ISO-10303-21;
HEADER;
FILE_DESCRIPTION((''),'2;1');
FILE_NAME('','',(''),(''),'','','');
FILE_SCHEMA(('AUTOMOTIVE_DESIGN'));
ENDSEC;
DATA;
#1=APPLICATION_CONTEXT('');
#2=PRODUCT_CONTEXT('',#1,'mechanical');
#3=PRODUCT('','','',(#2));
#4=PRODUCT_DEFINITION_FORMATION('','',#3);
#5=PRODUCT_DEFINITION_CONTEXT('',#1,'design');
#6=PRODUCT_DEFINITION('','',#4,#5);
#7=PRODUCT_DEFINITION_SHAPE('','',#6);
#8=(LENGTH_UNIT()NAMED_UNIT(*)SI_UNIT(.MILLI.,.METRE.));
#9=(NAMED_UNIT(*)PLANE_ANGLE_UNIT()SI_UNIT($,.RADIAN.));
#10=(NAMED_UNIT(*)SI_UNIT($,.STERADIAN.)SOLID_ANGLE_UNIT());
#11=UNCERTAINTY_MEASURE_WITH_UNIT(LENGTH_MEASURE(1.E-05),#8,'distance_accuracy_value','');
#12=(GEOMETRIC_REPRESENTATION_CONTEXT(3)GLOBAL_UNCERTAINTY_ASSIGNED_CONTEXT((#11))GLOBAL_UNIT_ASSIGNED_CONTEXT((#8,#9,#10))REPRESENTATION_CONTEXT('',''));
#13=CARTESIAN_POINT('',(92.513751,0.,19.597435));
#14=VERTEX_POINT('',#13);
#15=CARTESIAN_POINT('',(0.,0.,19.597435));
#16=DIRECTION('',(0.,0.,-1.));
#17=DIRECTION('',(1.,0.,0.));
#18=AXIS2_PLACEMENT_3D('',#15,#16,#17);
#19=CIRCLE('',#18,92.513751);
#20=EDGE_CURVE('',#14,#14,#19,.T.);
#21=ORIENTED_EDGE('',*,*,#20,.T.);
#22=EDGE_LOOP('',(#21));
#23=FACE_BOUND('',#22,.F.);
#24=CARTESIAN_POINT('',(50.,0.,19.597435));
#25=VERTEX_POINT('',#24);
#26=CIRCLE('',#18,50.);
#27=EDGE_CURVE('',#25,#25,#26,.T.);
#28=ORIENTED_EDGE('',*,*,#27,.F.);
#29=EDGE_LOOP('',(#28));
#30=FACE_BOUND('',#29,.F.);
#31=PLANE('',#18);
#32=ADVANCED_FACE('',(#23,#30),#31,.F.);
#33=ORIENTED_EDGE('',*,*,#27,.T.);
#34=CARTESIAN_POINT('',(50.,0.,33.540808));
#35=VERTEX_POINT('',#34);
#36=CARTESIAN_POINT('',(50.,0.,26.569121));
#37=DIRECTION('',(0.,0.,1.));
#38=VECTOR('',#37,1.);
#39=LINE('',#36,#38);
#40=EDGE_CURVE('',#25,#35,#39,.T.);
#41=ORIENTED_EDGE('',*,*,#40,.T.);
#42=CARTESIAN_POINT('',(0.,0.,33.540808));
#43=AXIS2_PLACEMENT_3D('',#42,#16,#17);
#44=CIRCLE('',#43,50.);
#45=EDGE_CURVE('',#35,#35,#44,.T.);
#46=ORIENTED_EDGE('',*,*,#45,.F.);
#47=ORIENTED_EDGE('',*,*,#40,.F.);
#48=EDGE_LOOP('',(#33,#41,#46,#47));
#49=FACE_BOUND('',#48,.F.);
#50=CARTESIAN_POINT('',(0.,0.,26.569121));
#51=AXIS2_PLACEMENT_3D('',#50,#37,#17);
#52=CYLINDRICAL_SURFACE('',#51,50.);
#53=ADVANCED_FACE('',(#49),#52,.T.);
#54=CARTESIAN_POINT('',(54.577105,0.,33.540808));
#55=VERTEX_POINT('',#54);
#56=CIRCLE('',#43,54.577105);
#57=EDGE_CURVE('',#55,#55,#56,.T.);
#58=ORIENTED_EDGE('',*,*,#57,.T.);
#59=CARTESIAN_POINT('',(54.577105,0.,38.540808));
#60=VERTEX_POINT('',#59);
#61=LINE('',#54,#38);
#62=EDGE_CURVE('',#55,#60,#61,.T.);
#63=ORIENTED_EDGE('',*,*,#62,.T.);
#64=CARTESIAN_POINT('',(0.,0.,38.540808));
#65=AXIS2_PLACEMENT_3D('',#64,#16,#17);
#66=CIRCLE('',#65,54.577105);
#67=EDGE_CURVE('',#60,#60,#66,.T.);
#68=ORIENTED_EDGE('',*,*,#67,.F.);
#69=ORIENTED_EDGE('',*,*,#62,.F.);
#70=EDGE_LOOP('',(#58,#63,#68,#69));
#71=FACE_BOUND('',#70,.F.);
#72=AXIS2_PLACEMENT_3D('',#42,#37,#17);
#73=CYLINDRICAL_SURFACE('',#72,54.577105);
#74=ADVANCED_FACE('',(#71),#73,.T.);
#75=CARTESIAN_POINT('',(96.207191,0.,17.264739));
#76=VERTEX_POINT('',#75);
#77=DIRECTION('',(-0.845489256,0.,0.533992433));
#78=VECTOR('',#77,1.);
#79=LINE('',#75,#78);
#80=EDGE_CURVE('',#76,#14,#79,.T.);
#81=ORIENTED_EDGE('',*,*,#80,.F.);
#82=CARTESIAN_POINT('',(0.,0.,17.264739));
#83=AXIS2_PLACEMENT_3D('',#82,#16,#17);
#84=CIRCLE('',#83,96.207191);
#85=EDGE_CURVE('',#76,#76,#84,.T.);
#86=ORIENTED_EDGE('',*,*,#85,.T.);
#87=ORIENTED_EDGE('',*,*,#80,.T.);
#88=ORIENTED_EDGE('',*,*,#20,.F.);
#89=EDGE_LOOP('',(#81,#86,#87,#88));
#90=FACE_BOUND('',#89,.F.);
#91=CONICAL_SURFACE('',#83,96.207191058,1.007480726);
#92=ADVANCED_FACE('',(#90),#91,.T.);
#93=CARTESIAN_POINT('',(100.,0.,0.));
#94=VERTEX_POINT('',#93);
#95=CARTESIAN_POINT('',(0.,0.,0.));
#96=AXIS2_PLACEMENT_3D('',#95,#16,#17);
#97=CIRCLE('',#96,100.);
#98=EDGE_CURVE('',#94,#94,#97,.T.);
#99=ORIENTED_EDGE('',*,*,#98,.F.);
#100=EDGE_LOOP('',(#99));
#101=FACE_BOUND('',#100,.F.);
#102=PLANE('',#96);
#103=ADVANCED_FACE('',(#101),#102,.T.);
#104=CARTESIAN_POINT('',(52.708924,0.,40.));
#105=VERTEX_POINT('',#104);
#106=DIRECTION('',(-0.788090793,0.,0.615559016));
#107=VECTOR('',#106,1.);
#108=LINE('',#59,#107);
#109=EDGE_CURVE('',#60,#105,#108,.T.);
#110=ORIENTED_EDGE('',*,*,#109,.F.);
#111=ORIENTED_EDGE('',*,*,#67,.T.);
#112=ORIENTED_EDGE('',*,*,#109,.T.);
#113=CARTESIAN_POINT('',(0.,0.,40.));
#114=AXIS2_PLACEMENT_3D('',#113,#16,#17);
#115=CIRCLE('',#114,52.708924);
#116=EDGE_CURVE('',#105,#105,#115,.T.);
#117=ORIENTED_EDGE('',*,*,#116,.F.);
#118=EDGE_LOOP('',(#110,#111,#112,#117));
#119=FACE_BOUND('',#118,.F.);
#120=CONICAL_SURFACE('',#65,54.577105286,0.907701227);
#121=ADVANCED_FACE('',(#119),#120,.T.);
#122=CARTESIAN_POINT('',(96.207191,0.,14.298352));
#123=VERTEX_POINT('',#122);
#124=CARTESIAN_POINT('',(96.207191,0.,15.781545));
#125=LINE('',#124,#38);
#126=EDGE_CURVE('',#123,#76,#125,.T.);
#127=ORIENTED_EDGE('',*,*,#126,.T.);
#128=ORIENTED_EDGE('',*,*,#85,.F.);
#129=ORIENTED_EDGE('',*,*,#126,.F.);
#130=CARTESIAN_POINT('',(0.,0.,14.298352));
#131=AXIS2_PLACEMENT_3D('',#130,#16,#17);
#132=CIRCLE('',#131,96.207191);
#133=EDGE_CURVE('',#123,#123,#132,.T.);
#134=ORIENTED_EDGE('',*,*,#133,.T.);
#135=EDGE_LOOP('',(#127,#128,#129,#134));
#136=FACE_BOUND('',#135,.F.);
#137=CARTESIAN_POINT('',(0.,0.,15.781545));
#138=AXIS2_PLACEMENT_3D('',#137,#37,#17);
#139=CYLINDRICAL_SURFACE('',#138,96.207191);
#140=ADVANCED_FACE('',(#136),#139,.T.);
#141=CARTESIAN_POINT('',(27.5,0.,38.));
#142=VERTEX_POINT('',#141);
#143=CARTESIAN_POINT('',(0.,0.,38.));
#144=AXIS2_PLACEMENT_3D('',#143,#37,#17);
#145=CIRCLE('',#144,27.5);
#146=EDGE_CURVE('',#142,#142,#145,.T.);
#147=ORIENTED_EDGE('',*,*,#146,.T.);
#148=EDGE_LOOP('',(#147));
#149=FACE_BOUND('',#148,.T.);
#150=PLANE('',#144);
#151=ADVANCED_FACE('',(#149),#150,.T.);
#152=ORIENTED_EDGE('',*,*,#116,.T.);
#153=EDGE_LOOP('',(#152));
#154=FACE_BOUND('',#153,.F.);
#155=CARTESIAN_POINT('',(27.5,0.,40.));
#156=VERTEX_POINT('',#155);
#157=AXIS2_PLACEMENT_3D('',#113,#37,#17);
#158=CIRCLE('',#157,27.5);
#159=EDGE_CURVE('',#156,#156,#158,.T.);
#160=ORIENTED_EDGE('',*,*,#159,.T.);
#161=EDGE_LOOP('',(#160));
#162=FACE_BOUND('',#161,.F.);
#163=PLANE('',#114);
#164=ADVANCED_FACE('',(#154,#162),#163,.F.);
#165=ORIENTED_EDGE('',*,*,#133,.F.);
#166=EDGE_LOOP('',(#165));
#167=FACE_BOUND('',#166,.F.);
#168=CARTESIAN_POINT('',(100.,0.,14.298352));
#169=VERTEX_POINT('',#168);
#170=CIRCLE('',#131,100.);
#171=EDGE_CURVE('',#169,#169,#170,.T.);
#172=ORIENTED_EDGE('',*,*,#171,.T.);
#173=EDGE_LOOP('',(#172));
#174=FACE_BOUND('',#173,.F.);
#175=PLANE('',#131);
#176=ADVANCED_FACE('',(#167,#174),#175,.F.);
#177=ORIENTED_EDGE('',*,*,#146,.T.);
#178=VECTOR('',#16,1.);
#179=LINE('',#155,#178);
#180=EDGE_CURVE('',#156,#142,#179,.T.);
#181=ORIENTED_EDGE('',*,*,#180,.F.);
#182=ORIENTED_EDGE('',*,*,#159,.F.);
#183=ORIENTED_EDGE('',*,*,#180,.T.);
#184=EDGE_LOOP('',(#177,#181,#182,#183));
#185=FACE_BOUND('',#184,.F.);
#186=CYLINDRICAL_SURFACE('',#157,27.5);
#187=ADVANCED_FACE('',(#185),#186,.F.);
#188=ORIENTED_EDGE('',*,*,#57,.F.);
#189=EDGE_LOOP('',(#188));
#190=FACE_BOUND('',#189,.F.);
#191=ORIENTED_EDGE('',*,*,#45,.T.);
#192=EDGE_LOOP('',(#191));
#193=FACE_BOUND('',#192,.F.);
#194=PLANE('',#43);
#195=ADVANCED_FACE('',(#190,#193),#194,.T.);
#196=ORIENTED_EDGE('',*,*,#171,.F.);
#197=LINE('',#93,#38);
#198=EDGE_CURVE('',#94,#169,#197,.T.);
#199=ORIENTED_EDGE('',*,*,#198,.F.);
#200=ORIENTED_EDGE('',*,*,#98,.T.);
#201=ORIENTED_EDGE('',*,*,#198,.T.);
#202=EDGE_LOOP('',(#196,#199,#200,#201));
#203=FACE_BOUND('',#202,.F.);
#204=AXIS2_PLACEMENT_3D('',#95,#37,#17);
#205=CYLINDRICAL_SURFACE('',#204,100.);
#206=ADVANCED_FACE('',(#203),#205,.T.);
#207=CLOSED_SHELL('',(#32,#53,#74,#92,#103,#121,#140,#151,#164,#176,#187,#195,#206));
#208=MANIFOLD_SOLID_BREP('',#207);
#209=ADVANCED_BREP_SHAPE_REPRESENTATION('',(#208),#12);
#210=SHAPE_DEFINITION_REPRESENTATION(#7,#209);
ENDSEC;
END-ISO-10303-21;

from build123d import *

# Parameters (mm, degrees)
F0_W     = 50
F0_H     = 13.9433727747
F0_W_2   = 96.2071910579
F0_H_2   = 2.9663876979
F2_R     = 27.5
F3_DEPTH = 2


with BuildPart() as f1:
    # F0 (on Front) → F1 (revolve)
    with BuildSketch(Plane.XZ):
        Polygon((0, 38.5408075477), (0, 33.5408075477), (50, 33.5408075477), (54.5771052862, 33.5408075477), (54.5771052862, 38.5408075477), align=None)
        Polygon((0, 40), (0, 38.5408075477), (54.5771052862, 38.5408075477), (52.7089235076, 40), align=None)
        with Locations((25, 26.5691211603)):
            Rectangle(F0_W, F0_H)
        with Locations((48.1035955289, 15.7815453776)):
            Rectangle(F0_W_2, F0_H_2)
        Polygon((0, 19.597434773), (0, 17.2647392265), (96.2071910579, 17.2647392265), (92.5137510409, 19.597434773), (50, 19.597434773), align=None)
        Polygon((0, 14.2983515286), (0, 0), (100, 0), (100, 14.2983515286), (96.2071910579, 14.2983515286), align=None)
    revolve(axis=Axis((0, 0, 20), (0, 0, -1)))

    # F2 (on face) → F3 (cut)
    with BuildSketch(Plane.XY.offset(40)):
        Circle(F2_R)
    extrude(amount=-F3_DEPTH, mode=Mode.SUBTRACT)


solid = f1.part
